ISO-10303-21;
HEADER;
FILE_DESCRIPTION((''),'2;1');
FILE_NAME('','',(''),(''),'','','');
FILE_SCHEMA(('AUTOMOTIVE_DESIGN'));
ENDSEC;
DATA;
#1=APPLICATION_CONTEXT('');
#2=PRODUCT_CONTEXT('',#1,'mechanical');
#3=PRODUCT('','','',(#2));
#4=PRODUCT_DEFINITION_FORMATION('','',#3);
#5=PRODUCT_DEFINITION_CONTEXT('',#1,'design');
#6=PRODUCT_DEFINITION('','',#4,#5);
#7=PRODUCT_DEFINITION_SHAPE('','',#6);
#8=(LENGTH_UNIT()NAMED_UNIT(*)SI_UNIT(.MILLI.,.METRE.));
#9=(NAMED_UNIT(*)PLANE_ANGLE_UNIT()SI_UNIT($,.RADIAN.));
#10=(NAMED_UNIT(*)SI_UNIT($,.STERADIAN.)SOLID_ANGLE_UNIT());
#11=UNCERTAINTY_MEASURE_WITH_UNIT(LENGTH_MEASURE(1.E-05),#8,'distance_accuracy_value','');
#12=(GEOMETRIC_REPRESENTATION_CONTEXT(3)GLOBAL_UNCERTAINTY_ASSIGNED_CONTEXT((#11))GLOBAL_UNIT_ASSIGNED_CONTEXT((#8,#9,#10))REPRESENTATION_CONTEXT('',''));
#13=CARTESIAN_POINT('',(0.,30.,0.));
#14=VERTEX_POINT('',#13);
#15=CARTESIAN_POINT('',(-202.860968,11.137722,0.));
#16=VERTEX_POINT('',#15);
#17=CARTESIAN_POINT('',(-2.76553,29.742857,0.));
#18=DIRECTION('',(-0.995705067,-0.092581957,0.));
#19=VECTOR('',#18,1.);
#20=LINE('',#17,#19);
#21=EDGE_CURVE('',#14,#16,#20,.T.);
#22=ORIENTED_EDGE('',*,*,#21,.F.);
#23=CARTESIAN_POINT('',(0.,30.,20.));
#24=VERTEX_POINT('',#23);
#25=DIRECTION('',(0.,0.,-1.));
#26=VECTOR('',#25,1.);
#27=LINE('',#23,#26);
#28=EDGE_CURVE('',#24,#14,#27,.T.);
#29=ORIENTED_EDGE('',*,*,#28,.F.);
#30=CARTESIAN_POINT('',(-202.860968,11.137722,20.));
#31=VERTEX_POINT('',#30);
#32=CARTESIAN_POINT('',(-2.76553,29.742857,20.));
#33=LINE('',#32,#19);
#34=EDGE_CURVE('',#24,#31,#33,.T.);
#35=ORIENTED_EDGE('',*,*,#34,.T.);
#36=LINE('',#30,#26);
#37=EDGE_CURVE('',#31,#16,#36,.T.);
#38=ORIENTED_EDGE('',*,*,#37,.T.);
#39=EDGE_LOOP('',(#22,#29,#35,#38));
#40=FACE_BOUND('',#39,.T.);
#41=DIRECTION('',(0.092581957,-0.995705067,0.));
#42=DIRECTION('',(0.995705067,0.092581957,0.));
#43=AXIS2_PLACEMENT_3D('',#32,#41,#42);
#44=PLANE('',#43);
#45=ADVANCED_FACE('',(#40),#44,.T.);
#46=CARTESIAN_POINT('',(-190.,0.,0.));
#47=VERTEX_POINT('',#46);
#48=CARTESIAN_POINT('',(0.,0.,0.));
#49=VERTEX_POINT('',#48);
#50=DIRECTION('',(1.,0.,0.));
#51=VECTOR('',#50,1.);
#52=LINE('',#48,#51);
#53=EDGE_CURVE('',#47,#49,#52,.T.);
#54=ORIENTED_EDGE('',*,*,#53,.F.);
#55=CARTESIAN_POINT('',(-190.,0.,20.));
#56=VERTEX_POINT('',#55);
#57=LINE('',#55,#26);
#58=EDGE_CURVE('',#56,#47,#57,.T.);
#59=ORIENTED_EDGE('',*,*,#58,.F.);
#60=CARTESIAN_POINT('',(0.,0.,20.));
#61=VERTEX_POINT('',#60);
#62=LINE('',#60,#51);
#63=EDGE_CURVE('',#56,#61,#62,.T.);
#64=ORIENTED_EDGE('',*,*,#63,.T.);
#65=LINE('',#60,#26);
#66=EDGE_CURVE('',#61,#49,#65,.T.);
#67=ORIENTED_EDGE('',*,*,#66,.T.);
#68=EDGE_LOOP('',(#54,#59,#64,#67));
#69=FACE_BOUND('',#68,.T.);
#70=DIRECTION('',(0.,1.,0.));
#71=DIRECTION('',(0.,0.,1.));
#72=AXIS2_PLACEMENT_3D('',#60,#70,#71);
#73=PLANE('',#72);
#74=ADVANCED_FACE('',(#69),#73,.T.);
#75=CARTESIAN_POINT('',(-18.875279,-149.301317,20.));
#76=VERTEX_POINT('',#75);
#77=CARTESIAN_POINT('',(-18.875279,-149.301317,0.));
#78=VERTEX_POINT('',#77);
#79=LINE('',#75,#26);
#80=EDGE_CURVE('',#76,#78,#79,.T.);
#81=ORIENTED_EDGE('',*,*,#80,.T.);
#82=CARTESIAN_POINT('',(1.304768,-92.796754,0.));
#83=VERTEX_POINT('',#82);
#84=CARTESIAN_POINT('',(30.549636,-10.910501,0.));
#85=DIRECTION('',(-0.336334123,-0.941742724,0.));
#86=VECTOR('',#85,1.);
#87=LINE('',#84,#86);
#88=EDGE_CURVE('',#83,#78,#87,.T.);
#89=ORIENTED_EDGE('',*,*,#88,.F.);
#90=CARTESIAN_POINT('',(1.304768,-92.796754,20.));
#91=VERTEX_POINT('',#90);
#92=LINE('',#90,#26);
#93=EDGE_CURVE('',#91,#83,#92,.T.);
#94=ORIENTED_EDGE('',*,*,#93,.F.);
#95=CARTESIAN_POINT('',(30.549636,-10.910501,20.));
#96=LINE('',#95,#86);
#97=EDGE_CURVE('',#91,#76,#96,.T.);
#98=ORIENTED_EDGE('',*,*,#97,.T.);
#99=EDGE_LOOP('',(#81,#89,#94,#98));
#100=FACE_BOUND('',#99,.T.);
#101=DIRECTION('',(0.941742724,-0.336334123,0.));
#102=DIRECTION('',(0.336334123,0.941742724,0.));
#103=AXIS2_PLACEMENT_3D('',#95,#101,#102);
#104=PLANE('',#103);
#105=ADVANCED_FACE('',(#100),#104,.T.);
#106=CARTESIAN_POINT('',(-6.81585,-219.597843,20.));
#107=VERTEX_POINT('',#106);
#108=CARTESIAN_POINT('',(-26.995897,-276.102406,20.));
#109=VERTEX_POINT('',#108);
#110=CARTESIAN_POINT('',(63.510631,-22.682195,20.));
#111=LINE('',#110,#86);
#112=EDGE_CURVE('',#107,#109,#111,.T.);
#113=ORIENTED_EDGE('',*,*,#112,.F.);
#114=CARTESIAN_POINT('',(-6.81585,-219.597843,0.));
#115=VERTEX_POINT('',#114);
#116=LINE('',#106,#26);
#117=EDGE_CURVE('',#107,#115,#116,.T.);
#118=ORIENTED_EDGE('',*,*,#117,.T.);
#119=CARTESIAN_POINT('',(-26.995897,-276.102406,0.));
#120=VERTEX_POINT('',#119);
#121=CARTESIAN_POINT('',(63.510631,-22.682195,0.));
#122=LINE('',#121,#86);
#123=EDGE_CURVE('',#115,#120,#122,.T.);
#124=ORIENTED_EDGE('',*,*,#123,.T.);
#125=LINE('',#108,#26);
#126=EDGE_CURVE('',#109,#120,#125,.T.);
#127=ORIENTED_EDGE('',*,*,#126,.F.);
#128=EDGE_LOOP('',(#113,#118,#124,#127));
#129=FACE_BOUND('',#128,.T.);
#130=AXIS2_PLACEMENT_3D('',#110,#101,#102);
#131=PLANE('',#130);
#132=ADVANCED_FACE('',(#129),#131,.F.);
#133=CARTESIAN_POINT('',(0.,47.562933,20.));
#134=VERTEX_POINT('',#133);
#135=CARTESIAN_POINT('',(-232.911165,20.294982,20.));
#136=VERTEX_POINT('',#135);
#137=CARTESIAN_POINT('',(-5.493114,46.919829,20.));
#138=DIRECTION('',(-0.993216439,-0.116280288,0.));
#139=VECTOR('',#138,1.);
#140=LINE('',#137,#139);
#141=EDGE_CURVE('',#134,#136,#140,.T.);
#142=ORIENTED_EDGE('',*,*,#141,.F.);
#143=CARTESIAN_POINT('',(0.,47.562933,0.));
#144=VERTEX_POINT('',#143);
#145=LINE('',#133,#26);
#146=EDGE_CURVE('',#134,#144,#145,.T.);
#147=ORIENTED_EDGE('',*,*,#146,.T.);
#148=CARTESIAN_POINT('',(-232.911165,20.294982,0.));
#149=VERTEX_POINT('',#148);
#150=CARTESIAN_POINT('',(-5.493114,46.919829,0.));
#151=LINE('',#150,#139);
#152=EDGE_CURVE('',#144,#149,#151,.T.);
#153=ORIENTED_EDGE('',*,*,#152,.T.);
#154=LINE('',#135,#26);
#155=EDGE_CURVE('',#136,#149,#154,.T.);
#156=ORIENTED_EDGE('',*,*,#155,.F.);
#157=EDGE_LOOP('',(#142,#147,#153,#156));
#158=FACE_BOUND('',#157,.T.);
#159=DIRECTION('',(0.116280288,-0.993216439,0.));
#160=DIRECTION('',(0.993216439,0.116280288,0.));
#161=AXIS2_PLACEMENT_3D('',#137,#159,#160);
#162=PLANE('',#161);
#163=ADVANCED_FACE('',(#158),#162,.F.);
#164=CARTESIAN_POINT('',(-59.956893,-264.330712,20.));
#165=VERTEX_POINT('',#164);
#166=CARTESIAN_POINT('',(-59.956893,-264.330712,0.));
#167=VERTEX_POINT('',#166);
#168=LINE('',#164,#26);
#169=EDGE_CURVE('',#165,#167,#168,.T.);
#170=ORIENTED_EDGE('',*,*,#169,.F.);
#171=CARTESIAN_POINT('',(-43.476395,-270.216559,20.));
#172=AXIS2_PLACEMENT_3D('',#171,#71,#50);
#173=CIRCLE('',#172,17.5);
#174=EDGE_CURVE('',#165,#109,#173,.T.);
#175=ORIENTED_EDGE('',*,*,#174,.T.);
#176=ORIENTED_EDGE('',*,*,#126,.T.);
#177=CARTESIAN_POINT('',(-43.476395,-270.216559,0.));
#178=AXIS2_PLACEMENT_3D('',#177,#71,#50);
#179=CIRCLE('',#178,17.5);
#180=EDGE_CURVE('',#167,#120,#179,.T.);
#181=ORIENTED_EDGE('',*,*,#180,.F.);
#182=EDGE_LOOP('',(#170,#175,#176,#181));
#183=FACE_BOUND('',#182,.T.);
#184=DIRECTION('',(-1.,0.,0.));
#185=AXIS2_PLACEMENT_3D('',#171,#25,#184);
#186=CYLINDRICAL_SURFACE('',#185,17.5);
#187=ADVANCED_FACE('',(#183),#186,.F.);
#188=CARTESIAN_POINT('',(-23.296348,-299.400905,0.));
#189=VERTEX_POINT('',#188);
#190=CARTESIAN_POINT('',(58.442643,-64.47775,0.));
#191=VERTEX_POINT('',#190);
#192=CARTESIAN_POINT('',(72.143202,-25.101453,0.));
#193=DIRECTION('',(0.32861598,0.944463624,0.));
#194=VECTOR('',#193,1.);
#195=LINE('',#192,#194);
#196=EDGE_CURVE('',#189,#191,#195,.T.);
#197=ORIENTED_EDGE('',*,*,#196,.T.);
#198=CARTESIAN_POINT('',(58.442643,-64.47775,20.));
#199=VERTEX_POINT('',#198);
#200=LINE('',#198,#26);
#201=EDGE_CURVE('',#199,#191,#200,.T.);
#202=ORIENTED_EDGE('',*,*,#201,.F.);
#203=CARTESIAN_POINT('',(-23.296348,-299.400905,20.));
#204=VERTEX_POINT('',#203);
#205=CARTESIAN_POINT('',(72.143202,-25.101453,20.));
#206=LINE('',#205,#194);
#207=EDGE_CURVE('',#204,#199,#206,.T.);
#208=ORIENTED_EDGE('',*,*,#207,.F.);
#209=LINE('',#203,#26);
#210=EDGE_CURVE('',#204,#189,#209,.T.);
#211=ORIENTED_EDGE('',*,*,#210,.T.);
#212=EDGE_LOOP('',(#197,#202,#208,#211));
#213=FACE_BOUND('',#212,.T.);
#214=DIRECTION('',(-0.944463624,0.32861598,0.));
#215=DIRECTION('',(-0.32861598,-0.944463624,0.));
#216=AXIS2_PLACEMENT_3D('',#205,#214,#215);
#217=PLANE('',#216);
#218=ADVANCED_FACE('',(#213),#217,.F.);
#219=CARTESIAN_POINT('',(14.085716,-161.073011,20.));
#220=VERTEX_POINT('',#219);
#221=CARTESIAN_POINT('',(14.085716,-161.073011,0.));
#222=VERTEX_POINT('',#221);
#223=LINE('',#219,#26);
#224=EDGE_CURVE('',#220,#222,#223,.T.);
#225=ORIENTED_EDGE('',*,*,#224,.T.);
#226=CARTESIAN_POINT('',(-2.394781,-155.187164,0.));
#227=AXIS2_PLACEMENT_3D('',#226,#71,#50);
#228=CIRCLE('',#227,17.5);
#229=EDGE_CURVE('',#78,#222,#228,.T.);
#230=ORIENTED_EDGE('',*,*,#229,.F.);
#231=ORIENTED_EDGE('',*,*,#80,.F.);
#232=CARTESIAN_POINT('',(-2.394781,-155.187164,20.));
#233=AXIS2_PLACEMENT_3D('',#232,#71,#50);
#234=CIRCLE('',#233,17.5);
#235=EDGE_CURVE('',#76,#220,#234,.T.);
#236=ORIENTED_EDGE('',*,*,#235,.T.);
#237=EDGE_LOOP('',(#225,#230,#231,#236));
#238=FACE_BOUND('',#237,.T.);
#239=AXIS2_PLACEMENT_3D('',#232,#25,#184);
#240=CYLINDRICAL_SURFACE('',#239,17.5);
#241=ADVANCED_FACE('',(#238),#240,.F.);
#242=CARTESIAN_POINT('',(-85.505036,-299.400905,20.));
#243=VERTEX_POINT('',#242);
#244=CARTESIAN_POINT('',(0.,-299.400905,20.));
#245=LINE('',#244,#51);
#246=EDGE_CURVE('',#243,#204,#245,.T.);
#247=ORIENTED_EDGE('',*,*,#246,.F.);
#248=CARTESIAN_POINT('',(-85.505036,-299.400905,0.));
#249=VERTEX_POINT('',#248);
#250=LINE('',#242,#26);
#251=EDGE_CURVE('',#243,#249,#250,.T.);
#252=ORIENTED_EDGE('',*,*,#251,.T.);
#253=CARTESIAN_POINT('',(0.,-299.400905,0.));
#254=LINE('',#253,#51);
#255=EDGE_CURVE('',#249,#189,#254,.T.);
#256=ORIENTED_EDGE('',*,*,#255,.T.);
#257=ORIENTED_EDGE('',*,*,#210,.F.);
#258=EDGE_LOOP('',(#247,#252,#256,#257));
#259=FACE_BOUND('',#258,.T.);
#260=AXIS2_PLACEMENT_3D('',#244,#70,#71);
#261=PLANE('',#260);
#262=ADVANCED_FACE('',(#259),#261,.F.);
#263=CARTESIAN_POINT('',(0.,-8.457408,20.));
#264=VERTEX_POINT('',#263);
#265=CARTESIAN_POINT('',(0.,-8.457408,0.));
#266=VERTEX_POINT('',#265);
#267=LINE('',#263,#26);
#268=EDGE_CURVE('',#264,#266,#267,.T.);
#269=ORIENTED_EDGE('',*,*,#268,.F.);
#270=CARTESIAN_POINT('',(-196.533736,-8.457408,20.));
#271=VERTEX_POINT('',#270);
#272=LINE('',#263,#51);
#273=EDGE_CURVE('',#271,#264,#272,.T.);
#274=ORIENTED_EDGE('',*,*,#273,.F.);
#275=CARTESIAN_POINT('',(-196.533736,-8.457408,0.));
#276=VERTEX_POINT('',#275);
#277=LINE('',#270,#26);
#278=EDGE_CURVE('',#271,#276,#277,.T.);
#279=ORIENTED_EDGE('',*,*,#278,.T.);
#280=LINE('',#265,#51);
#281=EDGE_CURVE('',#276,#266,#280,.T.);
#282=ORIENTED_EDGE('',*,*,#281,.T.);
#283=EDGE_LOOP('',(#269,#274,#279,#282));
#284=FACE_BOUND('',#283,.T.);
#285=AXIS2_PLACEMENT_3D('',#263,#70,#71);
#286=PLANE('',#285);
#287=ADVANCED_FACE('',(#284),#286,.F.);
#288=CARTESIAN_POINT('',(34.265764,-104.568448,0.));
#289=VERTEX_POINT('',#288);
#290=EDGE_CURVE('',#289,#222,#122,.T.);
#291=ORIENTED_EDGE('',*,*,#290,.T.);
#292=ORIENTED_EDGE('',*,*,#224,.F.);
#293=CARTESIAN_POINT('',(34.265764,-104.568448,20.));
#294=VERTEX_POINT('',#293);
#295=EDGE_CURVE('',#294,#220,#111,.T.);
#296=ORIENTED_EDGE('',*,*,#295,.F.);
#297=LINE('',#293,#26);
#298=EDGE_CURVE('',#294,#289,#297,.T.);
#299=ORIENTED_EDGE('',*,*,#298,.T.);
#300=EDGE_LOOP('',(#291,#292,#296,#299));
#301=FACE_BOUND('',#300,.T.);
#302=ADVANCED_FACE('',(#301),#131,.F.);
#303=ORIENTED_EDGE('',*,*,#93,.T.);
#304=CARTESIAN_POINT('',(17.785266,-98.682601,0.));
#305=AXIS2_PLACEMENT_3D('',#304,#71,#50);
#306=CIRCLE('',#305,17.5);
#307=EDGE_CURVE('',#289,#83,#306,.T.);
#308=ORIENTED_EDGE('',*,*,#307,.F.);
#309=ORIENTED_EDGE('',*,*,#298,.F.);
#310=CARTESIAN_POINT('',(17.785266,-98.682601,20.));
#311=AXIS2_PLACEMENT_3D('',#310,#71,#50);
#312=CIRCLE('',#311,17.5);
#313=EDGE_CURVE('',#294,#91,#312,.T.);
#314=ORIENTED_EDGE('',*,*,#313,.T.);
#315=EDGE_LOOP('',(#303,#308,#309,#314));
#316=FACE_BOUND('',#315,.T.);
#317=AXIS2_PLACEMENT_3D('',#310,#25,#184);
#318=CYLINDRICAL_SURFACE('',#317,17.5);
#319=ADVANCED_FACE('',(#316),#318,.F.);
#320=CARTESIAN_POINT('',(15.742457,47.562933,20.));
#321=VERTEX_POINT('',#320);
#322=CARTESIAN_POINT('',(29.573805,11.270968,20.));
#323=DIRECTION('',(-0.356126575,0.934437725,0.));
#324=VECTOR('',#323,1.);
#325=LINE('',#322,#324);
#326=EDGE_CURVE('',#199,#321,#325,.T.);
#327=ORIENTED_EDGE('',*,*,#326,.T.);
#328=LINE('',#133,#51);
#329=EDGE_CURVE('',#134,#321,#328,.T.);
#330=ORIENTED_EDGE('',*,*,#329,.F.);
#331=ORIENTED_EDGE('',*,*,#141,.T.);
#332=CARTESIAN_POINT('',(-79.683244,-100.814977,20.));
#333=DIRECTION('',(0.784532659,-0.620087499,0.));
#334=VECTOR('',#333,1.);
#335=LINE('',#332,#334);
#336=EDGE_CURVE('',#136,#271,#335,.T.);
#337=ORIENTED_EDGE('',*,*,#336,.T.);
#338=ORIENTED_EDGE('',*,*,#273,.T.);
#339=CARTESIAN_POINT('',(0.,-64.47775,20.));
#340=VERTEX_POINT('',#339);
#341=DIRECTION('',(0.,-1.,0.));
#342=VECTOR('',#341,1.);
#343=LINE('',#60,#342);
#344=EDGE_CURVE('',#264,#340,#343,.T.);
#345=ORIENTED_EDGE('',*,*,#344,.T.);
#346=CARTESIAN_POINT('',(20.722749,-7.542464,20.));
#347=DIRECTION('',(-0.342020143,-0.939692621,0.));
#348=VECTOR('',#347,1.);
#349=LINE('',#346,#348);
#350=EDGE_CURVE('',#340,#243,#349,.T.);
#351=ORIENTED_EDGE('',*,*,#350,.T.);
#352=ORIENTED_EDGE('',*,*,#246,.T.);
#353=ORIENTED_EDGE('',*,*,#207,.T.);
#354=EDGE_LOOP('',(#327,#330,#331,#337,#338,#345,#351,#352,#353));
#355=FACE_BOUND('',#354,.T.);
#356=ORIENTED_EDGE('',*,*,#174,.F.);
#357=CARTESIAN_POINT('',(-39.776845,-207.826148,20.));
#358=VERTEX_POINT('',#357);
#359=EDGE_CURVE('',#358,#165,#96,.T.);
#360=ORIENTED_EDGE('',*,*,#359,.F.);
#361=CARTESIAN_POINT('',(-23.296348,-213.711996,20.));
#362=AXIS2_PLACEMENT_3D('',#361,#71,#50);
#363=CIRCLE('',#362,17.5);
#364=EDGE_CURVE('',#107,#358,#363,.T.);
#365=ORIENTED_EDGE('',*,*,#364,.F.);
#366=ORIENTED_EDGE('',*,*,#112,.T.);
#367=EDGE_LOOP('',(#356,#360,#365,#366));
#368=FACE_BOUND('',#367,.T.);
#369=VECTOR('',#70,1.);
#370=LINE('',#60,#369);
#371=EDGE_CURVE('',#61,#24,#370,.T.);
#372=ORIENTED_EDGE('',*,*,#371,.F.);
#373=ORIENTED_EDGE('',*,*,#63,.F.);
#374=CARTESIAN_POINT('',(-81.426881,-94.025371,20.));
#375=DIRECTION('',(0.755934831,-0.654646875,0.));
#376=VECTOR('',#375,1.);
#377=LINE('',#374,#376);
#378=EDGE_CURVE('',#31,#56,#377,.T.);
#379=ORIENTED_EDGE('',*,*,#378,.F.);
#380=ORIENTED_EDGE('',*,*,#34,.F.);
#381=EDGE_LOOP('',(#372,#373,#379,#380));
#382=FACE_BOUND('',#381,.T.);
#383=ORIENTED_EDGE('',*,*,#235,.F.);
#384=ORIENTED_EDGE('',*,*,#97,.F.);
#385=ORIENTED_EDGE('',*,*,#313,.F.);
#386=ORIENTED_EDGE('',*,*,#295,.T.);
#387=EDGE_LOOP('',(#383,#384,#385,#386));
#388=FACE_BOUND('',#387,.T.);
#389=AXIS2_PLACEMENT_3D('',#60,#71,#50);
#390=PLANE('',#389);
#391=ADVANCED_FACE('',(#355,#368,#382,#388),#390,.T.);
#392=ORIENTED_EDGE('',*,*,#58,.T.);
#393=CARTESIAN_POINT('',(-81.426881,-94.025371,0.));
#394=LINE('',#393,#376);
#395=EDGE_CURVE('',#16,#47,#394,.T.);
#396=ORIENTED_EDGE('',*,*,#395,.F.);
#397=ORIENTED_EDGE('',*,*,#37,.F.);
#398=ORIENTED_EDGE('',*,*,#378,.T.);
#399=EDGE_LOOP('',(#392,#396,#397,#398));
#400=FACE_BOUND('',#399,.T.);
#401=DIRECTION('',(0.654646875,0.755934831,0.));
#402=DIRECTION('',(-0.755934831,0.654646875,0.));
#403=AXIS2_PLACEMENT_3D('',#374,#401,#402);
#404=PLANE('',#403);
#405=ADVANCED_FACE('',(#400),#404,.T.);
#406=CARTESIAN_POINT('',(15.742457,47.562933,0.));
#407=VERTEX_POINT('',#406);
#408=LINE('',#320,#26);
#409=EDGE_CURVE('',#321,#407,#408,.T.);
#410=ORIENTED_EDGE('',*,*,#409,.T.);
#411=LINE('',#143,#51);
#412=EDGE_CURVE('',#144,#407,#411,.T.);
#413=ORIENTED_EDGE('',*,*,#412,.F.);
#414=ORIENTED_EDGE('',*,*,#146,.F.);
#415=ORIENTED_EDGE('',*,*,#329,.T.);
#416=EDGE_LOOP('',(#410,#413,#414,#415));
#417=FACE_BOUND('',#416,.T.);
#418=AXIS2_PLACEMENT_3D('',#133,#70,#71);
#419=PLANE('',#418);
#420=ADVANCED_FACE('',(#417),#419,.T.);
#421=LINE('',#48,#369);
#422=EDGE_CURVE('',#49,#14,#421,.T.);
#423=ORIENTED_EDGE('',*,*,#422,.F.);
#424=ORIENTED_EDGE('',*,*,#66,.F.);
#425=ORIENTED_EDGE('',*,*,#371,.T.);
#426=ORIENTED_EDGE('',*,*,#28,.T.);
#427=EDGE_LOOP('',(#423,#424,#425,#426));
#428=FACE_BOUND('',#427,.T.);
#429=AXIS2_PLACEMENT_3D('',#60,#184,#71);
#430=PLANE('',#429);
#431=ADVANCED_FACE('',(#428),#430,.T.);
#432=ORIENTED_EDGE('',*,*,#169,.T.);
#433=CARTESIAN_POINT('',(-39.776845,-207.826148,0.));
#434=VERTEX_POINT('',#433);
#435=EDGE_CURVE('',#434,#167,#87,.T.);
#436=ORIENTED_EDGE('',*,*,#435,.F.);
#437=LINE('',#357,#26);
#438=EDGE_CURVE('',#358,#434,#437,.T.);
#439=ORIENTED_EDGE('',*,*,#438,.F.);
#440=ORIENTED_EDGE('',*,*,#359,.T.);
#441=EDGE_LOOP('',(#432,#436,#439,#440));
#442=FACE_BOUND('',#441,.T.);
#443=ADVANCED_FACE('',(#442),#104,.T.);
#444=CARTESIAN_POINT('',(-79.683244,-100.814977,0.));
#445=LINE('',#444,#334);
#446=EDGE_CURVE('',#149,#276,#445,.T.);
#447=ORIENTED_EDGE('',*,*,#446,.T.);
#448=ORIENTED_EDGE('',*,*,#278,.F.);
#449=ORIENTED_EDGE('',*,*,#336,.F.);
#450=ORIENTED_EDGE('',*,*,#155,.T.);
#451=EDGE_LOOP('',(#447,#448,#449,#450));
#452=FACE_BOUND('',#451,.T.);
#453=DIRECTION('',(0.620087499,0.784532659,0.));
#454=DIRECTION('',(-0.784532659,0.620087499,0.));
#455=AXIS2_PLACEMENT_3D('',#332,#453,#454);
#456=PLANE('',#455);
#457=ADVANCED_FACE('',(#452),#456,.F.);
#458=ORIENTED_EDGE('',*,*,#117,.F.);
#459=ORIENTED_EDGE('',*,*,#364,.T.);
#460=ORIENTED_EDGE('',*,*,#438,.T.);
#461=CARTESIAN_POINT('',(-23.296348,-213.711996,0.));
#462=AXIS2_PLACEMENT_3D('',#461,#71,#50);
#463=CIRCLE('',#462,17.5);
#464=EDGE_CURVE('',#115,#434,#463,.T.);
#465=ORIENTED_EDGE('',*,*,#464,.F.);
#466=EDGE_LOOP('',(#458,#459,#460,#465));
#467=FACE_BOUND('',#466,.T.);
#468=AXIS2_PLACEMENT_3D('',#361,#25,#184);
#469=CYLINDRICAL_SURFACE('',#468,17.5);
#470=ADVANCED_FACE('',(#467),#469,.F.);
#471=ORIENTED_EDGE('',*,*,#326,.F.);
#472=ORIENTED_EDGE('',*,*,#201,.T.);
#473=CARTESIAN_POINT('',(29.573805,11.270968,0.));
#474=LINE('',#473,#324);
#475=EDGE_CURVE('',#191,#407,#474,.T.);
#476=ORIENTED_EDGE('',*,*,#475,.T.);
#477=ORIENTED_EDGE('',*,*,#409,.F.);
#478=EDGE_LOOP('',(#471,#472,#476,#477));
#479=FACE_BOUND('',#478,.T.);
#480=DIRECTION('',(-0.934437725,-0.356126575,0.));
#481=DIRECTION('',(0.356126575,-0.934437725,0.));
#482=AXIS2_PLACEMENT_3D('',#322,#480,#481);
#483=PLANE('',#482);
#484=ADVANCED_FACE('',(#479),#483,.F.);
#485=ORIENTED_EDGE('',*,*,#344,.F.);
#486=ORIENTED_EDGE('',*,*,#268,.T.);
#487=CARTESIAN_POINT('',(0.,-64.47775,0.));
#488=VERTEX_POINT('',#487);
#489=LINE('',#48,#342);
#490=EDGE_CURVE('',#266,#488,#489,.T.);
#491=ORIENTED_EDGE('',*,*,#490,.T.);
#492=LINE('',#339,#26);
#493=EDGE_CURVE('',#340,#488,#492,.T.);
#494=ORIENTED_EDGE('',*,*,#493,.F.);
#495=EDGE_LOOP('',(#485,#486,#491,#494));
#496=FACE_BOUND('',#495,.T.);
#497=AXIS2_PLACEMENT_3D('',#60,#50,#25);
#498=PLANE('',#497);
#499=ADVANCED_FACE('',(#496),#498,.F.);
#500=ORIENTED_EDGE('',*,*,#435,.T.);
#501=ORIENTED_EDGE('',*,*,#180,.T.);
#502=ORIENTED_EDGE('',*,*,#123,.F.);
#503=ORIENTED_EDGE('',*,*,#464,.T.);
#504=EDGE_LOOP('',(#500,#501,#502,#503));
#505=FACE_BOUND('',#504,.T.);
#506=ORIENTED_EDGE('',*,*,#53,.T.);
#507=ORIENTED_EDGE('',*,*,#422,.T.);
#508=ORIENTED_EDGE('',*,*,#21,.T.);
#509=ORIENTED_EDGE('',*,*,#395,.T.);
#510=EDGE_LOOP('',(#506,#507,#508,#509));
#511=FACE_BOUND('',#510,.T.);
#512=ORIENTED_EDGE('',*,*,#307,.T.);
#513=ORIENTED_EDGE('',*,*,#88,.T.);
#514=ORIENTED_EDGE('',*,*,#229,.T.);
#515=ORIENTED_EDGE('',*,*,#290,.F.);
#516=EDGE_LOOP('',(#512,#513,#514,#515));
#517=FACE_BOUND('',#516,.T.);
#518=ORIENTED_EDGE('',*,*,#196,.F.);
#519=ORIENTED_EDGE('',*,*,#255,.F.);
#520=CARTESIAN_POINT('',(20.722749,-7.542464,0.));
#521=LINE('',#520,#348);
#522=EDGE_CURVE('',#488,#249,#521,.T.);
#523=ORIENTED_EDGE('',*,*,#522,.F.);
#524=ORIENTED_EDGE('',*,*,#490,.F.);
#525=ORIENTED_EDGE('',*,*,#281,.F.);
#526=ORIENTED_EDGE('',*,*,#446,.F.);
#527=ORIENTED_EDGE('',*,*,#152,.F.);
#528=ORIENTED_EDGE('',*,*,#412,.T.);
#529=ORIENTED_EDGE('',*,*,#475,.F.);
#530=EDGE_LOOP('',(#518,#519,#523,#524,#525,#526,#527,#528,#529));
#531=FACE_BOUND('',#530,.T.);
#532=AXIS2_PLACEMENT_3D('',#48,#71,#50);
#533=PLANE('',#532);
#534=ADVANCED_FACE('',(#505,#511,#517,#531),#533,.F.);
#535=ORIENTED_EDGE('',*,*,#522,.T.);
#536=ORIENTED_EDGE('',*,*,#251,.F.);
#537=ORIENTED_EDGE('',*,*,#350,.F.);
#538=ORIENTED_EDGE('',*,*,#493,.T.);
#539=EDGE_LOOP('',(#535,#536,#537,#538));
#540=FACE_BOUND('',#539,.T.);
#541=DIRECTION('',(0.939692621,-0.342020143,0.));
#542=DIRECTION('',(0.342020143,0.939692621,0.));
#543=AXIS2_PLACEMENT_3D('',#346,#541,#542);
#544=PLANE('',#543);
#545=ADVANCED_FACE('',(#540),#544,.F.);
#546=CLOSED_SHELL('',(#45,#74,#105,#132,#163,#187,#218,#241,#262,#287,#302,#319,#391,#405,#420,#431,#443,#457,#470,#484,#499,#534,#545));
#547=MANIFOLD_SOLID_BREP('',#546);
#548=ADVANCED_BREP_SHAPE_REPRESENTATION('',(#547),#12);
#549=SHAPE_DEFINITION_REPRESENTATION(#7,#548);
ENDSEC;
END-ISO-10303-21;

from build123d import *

# Parameters (mm, degrees)
BOSS_EXTRU_1_DEPTH = 20


with BuildPart() as part:
    # Esquisse1 → Boss.-Extru.1 (new body)
    with BuildSketch(Plane.XY):
        Polygon((-196.533735711, -8.457408384), (0, -8.457408384), (0, -64.477749577), (-85.505035831, -299.400904773), (-68.158030406, -299.400904773), (-23.296347582, -299.400904773), (58.442642683, -64.477749577), (15.742456943, 47.56293281), (0, 47.56293281), (-232.911164776, 20.29498163), (-207.234020919, 0), align=None)
        with BuildLine():
            ThreePointArc((-39.776845244, -207.826148347), (-17.410500422, -197.231497844), (-6.815849919, -219.597842666))
            Line((-6.815849919, -219.597842666), (-26.995897322, -276.102406082))
            ThreePointArc((-26.995897322, -276.102406082), (-49.362242144, -286.697056585), (-59.956892648, -264.330711763))
            Line((-59.956892648, -264.330711763), (-39.776845244, -207.826148347))
        make_face(mode=Mode.SUBTRACT)
        with BuildLine():
            ThreePointArc((1.304768326, -92.796753577), (23.671113149, -82.202103073), (34.265763652, -104.568447895))
            Line((34.265763652, -104.568447895), (14.085716249, -161.073011311))
            ThreePointArc((14.085716249, -161.073011311), (-8.280628573, -171.667661815), (-18.875279077, -149.301316992))
            Line((-18.875279077, -149.301316992), (1.304768326, -92.796753577))
        make_face(mode=Mode.SUBTRACT)
        Polygon((0, 30), (0, 0), (-190, 0), (-202.86096767, 11.137722401), align=None, mode=Mode.SUBTRACT)
    extrude(amount=BOSS_EXTRU_1_DEPTH)


solid = part.part
